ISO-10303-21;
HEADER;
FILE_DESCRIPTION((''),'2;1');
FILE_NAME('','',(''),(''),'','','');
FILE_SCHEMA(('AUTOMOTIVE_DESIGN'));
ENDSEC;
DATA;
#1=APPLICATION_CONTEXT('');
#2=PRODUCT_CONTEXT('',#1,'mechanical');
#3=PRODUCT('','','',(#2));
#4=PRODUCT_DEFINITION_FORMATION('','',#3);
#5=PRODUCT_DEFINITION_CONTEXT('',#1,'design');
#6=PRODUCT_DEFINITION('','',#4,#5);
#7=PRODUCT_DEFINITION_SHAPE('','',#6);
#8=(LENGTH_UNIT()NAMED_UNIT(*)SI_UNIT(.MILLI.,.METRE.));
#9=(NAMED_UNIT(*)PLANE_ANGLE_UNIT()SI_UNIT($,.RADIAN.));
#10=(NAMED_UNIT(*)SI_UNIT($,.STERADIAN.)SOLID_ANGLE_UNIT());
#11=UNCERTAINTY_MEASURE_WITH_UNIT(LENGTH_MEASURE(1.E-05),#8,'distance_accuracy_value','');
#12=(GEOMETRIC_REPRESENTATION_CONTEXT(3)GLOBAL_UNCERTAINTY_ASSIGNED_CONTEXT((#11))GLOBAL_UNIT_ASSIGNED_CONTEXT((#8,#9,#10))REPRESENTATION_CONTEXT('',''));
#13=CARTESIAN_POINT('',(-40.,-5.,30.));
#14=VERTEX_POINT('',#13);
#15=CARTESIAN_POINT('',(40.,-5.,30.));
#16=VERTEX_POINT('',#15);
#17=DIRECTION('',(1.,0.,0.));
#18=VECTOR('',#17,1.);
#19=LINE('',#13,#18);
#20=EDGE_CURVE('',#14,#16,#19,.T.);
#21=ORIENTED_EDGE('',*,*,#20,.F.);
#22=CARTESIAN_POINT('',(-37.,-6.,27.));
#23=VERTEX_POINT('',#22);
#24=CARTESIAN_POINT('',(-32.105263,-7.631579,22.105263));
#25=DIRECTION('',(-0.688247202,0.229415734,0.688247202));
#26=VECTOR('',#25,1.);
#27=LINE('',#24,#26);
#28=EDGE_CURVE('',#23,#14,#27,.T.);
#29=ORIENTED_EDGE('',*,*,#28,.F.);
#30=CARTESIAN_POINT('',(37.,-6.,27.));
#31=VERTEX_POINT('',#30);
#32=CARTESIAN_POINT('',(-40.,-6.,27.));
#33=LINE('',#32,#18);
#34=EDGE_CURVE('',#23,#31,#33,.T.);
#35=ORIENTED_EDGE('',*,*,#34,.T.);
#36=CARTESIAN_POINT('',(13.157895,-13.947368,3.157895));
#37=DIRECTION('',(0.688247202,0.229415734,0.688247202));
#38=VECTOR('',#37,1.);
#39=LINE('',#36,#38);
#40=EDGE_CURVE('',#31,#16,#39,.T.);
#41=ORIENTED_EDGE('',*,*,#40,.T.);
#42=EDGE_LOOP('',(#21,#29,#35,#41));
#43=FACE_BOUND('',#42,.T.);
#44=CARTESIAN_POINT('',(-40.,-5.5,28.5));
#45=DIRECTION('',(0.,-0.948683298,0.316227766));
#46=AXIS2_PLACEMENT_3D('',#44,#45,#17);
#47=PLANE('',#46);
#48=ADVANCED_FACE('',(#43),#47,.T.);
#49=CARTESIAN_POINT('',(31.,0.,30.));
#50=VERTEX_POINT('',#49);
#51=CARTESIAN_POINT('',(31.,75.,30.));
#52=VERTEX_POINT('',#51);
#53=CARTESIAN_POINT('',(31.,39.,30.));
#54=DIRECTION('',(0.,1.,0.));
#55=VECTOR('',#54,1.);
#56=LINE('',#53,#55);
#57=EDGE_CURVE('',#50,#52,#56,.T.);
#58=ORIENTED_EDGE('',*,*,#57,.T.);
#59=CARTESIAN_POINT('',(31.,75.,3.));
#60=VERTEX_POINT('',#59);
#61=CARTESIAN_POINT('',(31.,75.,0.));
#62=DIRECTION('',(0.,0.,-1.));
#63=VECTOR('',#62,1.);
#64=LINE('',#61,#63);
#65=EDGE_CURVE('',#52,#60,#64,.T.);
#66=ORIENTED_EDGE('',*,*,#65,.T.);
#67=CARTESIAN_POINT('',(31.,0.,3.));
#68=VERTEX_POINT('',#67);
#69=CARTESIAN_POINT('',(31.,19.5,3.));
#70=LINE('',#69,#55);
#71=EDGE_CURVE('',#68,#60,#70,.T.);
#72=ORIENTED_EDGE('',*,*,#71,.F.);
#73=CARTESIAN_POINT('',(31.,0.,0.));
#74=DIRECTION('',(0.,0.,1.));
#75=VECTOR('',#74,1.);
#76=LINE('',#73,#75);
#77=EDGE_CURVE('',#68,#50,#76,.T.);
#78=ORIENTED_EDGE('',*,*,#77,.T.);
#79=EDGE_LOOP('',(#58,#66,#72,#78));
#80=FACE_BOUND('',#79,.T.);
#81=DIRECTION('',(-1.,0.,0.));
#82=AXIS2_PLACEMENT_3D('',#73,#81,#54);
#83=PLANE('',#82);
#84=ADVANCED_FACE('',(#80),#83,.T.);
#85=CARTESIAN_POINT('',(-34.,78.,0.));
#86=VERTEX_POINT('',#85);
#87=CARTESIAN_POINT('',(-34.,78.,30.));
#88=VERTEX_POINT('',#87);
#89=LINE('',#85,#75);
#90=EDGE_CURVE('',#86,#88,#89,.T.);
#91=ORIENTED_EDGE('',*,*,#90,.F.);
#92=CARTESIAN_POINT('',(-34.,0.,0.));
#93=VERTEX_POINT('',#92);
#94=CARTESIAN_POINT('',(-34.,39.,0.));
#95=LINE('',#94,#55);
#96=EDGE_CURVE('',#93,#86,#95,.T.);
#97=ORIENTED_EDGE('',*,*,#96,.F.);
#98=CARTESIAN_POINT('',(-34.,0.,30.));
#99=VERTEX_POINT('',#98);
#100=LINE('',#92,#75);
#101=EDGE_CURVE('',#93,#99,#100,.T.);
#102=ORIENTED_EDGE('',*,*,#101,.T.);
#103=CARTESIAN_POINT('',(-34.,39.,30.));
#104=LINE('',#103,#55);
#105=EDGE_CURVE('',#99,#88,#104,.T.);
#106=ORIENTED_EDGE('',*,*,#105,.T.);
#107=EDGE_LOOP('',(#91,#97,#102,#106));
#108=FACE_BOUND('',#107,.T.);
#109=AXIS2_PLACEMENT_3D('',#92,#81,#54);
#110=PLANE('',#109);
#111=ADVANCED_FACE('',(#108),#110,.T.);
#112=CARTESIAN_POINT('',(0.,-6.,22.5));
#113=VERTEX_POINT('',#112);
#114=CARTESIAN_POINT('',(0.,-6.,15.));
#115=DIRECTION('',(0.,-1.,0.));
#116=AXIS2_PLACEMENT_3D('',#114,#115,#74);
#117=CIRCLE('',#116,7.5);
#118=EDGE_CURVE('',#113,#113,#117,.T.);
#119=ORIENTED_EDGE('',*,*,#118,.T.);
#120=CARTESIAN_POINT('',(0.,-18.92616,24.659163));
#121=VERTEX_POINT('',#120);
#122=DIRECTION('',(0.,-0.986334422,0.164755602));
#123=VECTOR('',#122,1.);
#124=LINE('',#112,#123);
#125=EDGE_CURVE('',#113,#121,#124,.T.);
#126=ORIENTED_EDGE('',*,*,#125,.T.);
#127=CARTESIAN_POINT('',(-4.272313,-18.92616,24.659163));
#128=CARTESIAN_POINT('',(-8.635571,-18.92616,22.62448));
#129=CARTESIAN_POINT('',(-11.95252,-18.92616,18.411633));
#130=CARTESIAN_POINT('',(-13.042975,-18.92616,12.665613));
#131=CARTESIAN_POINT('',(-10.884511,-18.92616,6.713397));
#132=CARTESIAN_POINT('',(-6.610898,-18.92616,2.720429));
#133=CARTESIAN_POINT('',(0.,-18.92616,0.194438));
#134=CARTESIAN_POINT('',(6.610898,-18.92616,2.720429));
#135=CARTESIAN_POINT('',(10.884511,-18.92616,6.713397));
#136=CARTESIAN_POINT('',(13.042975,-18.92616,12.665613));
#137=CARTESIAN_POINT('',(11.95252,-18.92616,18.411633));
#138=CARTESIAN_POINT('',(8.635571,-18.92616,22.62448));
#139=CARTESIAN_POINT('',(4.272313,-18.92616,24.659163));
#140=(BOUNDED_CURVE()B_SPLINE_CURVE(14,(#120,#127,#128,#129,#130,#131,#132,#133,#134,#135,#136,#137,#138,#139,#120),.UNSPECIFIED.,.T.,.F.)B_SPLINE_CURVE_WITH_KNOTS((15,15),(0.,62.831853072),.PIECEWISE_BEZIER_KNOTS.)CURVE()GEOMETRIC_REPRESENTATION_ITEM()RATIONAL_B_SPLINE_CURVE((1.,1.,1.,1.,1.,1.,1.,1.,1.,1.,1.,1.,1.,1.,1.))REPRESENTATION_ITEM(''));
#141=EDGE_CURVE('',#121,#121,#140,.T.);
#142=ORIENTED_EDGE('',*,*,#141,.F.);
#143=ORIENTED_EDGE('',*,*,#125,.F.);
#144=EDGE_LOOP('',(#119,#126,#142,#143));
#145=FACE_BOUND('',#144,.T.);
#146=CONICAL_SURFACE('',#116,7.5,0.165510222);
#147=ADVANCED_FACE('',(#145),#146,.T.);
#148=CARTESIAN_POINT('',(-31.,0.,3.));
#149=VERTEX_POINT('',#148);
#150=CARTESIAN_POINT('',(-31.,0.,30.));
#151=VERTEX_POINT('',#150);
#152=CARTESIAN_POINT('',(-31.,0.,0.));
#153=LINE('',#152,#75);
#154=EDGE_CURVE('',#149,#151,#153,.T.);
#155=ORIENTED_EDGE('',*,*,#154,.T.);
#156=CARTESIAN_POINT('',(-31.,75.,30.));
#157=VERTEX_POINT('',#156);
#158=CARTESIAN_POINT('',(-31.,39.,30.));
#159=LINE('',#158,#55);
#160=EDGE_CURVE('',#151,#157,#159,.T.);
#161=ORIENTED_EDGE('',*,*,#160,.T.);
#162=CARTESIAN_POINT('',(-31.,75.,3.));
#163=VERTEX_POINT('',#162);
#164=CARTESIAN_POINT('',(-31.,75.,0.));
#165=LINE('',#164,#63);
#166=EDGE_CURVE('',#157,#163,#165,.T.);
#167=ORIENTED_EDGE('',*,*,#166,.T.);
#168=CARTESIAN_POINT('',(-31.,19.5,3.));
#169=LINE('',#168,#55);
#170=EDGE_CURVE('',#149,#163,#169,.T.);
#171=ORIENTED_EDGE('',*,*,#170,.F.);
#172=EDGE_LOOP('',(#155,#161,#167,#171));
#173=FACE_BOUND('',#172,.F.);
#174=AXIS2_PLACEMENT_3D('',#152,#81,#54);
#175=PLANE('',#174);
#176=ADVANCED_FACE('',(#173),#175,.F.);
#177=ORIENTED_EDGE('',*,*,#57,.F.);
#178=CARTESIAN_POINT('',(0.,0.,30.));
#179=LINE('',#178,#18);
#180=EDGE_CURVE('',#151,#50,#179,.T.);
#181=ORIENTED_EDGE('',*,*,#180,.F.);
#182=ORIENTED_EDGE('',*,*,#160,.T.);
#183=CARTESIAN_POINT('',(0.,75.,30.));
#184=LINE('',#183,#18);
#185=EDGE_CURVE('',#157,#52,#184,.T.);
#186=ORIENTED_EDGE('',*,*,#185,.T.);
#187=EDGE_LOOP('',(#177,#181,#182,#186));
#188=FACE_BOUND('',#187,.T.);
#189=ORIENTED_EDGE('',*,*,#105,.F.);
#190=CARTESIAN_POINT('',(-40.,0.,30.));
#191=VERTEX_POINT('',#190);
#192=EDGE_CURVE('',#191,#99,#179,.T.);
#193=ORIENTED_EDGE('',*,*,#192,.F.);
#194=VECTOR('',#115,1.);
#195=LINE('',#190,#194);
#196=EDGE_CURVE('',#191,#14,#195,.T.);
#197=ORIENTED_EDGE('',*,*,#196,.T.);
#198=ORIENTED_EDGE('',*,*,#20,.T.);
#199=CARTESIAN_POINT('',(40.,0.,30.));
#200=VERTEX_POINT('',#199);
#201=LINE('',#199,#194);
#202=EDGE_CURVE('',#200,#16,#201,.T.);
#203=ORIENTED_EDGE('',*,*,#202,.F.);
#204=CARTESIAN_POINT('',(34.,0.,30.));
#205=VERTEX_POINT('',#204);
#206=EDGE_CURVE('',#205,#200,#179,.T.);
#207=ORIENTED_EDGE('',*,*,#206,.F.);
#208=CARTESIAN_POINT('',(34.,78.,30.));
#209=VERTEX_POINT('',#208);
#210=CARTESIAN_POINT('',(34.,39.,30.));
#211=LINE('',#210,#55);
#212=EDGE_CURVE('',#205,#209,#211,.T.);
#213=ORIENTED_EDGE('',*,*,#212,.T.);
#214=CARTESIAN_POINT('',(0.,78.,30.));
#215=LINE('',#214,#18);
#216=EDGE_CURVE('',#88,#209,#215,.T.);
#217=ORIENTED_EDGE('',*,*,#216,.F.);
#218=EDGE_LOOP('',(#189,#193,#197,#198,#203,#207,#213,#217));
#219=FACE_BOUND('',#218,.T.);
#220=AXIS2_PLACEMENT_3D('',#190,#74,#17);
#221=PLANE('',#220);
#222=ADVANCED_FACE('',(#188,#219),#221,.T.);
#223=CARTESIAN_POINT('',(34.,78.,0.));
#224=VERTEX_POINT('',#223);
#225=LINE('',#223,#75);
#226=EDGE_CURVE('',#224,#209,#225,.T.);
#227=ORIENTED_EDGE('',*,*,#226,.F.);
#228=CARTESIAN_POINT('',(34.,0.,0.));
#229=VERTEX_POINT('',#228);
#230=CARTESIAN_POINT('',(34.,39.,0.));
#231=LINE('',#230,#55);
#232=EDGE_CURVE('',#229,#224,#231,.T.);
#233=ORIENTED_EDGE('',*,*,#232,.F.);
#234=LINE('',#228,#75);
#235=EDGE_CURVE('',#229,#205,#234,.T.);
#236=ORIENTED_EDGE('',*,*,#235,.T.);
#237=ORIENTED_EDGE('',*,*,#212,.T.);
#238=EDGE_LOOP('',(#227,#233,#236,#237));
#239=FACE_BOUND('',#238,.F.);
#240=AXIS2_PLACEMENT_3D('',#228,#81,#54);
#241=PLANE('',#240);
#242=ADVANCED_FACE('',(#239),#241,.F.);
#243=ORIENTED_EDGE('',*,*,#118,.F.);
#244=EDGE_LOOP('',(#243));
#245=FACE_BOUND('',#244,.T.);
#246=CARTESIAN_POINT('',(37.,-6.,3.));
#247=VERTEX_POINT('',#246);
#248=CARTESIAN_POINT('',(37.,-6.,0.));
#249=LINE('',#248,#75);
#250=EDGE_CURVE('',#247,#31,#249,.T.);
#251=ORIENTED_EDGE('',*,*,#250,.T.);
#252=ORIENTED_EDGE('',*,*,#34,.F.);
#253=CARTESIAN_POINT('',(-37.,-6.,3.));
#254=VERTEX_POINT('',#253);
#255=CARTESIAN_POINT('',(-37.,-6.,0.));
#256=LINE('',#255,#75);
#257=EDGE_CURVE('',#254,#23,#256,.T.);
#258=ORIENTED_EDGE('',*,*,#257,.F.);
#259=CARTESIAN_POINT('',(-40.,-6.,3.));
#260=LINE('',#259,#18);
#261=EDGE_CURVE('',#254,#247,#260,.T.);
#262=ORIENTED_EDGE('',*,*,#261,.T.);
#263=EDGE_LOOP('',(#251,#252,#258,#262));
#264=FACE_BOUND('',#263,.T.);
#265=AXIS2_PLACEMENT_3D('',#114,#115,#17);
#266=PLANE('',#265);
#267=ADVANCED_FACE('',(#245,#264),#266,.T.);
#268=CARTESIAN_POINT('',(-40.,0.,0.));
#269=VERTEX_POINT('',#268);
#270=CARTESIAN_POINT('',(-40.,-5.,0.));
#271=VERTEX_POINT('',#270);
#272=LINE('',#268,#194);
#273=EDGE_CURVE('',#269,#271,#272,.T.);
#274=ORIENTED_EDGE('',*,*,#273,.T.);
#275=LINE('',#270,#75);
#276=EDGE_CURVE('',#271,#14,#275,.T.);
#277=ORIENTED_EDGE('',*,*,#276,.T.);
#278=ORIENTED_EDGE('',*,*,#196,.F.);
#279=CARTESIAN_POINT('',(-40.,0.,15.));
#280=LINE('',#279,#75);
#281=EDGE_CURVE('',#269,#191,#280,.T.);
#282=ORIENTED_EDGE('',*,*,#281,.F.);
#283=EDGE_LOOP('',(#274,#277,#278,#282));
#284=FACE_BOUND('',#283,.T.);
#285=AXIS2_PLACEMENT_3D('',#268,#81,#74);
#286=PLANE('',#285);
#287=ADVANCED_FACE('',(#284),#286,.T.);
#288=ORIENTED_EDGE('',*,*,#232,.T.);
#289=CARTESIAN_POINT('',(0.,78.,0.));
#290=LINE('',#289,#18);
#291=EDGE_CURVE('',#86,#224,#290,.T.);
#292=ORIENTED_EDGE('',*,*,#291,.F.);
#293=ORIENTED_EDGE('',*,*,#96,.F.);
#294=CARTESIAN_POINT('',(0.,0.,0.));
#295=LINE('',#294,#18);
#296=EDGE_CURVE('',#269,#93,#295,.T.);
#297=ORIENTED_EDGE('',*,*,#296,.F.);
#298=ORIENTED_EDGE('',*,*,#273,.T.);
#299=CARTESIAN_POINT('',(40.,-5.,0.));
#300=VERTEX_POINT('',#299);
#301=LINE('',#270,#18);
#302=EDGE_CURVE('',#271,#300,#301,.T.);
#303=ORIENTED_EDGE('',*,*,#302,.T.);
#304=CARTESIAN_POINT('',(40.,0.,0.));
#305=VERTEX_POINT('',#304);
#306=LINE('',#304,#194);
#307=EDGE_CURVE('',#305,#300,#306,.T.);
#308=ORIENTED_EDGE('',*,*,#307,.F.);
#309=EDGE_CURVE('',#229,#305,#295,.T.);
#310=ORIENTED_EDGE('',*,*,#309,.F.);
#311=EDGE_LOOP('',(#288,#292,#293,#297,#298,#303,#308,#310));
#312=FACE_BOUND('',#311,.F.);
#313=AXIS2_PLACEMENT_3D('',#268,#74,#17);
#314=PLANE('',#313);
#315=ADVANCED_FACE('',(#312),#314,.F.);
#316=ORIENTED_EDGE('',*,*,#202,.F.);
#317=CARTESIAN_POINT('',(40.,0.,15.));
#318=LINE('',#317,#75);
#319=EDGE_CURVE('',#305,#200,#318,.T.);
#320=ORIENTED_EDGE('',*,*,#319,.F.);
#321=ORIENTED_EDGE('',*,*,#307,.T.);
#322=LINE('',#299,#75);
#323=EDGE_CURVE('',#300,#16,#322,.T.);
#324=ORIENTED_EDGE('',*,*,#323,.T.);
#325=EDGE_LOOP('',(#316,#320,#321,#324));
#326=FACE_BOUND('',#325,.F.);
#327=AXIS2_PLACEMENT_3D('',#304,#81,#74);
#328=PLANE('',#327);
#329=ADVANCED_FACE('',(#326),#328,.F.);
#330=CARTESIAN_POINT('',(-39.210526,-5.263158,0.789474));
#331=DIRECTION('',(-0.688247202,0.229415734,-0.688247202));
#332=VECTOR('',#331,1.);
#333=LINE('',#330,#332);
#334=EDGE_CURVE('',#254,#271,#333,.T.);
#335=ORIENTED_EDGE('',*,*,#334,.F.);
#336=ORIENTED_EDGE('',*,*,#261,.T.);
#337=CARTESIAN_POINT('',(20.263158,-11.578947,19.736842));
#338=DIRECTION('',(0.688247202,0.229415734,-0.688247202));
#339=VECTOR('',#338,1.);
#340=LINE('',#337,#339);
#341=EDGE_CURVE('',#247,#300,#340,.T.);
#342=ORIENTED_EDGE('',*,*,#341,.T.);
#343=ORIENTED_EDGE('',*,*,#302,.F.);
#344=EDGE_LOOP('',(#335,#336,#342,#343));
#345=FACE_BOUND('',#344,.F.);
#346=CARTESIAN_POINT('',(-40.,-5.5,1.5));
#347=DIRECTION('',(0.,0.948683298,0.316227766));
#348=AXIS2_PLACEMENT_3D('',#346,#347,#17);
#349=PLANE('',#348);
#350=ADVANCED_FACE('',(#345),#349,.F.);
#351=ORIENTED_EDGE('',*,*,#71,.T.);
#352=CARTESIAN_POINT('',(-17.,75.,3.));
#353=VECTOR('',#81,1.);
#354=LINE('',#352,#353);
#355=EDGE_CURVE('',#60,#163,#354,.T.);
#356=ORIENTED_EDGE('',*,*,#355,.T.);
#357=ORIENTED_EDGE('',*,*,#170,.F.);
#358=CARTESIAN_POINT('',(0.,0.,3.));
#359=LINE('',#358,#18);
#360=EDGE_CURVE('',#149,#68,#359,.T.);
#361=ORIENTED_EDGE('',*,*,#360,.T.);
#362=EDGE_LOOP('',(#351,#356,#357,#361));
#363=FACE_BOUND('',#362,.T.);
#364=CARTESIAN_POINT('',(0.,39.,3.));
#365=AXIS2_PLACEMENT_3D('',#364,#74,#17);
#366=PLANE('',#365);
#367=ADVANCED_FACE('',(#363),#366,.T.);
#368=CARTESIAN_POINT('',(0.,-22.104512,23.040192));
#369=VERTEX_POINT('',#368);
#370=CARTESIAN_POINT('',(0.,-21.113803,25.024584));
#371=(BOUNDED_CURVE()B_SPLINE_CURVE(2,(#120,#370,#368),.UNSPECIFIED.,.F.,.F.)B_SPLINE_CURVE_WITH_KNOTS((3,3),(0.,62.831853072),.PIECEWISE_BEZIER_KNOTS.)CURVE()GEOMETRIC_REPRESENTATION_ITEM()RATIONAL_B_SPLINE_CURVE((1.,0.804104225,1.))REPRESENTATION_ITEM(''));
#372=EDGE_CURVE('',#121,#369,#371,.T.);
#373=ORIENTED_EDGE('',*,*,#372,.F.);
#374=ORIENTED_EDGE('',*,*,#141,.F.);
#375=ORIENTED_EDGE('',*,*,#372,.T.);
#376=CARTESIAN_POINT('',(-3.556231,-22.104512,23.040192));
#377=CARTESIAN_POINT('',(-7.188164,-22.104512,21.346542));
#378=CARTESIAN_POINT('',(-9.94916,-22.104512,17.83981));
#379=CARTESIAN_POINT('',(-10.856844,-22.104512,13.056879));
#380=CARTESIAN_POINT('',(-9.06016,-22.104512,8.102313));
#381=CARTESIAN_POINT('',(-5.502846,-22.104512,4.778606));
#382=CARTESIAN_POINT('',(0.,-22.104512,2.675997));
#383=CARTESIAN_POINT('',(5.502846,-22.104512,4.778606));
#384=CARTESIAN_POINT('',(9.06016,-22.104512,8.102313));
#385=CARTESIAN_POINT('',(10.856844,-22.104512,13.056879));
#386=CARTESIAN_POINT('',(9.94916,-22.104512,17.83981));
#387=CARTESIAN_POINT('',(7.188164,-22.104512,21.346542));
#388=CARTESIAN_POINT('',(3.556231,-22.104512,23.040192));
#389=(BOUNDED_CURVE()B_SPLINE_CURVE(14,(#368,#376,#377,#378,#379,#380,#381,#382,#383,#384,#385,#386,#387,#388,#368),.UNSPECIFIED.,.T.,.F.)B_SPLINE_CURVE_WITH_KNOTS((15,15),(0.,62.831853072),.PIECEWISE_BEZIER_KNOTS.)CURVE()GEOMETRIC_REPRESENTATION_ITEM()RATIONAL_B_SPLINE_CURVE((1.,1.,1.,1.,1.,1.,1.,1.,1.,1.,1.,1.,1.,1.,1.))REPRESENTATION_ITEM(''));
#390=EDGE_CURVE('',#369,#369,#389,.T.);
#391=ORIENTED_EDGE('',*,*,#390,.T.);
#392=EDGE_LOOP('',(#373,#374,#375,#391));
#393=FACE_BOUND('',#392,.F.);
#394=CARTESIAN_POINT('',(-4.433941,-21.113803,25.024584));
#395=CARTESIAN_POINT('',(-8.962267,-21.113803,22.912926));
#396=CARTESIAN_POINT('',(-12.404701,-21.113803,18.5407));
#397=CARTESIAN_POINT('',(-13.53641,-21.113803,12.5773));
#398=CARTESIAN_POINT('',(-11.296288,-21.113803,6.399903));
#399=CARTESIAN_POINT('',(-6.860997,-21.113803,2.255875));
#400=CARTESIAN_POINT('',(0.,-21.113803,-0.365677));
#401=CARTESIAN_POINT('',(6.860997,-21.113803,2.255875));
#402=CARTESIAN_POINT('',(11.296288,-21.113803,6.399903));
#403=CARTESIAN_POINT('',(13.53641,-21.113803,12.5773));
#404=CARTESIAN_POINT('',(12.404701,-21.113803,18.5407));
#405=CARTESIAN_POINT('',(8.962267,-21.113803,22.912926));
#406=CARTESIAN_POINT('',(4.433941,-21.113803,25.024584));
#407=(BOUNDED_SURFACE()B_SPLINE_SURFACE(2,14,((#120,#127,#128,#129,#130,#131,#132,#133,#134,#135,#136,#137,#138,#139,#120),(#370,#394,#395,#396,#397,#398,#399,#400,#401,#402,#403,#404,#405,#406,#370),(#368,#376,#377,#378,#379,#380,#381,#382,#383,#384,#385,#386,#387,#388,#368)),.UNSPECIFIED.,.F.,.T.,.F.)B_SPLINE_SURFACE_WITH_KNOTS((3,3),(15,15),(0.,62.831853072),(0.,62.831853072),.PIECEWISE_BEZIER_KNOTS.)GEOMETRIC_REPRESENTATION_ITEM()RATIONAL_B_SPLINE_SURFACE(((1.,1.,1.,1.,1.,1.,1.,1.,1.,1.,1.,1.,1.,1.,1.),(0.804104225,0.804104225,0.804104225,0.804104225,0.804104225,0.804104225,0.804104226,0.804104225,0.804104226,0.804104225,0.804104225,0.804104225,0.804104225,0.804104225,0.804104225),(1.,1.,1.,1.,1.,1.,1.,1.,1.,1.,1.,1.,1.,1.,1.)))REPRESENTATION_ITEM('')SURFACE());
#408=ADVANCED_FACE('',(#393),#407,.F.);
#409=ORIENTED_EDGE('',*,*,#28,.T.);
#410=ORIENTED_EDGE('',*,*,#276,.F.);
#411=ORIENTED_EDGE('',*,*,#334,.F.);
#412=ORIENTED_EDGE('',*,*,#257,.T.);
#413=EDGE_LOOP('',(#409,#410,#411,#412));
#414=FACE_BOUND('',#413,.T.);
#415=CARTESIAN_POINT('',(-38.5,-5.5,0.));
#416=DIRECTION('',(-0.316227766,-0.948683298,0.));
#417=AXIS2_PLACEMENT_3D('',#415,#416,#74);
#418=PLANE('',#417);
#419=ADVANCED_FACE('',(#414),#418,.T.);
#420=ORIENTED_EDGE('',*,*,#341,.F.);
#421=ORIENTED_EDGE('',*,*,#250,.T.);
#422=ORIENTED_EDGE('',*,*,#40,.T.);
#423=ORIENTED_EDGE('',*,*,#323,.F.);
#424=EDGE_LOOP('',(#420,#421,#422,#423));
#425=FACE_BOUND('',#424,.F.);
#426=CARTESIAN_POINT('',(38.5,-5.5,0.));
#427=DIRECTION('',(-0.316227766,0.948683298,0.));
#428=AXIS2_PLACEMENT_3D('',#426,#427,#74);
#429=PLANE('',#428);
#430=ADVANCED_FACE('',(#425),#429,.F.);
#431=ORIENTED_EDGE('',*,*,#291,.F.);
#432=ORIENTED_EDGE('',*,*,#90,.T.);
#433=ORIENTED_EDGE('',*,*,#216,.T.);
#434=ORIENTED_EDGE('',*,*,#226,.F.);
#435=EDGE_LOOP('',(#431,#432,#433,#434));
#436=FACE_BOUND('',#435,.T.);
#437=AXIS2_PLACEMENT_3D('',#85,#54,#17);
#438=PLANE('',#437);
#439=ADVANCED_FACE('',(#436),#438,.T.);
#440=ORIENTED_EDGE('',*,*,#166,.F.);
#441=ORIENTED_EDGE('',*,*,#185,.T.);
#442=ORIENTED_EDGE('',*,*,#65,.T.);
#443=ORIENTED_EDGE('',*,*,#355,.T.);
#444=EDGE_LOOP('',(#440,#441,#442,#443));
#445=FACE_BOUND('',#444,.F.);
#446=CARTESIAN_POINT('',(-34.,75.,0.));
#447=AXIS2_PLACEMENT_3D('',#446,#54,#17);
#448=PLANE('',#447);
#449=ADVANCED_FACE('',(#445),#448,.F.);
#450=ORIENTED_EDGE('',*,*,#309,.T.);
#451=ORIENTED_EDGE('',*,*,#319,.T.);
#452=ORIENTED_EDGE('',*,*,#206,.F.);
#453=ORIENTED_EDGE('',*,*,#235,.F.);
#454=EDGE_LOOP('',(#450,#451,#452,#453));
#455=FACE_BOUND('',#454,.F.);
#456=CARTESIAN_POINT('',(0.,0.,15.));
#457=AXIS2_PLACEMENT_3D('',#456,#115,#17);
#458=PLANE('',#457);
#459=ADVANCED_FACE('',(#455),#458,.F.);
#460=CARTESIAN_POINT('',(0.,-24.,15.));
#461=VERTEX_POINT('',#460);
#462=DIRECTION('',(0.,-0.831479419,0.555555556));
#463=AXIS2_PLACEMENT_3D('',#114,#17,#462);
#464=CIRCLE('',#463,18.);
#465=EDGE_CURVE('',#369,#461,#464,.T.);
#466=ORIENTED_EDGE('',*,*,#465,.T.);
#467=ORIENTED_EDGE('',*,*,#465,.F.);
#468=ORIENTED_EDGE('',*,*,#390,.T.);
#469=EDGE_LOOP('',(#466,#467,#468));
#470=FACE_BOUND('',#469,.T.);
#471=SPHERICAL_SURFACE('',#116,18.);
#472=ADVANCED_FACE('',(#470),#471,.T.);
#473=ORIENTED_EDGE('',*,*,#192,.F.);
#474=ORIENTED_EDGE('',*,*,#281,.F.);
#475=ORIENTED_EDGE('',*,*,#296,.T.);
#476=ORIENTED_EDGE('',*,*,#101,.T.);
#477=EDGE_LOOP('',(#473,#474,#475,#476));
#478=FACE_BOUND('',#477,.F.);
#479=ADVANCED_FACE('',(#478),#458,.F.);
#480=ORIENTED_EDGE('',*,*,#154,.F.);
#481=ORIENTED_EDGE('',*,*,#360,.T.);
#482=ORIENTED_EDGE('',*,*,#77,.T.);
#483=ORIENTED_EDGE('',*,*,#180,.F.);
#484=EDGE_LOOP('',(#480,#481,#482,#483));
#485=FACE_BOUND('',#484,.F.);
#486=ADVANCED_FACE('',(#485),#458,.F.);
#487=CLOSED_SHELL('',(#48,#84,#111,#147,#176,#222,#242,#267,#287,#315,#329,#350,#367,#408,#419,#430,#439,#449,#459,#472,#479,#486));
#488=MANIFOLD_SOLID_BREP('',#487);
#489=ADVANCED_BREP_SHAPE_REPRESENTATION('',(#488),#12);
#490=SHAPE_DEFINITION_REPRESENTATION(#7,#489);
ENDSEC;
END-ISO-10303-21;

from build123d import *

# Parameters (mm, degrees)
F0_W     = 68
F0_H     = 78
F1_DEPTH = 30
F2_T     = -3
F3_W     = 80
F3_H     = 30
F4_DEPTH = 6
F5_SIZE2 = 1
F5_SIZE  = 3
F8_R     = 3


with BuildPart() as f1:
    # F0 (on Top) → F1 (new body)
    with BuildSketch(Plane.XY):
        with Locations((0, 39)):
            Rectangle(F0_W, F0_H)
    extrude(amount=F1_DEPTH)

    # F2
    f2_openings = [f1.faces().sort_by_distance(p)[0] for p in [
        (0, 39, 30),
        (0, 0, 15),
    ]]
    offset(amount=F2_T, openings=f2_openings)

    # F3 (on Front) → F4 (join)
    with BuildSketch(Plane.XZ):
        with Locations((0, 15)):
            Rectangle(F3_W, F3_H)
    extrude(amount=F4_DEPTH)

    # F5
    f5_edges = [f1.edges().sort_by_distance(p)[0] for p in [
        (0, -6, 30),
        (-40, -6, 15),
        (0, -6, 0),
        (40, -6, 15),
    ]]
    f5_side = f1.faces().sort_by_distance((0, -6, 15))[0]
    chamfer(f5_edges, length=F5_SIZE, length2=F5_SIZE2, reference=f5_side)

    # F6 (on Right) → F7 (revolve)
    with BuildSketch(Plane.YZ):
        with BuildLine():
            ThreePointArc((-20.9666295471, 25), (-23.2249721603, 20.2249721603), (-24, 15))
            Line((-24, 15), (-6, 15))
            Line((-6, 15), (-6, 22.5))
            Line((-6, 22.5), (-20.9666295471, 25))
        make_face()
    revolve(axis=Axis((0, -21.969004482, 15), (0, -1, 0)))

    # F8
    f8_edges = [f1.edges().sort_by_distance(p)[0] for p in [
        (0, -20.96663, 5),
    ]]
    fillet(f8_edges, radius=F8_R)


solid = f1.part
